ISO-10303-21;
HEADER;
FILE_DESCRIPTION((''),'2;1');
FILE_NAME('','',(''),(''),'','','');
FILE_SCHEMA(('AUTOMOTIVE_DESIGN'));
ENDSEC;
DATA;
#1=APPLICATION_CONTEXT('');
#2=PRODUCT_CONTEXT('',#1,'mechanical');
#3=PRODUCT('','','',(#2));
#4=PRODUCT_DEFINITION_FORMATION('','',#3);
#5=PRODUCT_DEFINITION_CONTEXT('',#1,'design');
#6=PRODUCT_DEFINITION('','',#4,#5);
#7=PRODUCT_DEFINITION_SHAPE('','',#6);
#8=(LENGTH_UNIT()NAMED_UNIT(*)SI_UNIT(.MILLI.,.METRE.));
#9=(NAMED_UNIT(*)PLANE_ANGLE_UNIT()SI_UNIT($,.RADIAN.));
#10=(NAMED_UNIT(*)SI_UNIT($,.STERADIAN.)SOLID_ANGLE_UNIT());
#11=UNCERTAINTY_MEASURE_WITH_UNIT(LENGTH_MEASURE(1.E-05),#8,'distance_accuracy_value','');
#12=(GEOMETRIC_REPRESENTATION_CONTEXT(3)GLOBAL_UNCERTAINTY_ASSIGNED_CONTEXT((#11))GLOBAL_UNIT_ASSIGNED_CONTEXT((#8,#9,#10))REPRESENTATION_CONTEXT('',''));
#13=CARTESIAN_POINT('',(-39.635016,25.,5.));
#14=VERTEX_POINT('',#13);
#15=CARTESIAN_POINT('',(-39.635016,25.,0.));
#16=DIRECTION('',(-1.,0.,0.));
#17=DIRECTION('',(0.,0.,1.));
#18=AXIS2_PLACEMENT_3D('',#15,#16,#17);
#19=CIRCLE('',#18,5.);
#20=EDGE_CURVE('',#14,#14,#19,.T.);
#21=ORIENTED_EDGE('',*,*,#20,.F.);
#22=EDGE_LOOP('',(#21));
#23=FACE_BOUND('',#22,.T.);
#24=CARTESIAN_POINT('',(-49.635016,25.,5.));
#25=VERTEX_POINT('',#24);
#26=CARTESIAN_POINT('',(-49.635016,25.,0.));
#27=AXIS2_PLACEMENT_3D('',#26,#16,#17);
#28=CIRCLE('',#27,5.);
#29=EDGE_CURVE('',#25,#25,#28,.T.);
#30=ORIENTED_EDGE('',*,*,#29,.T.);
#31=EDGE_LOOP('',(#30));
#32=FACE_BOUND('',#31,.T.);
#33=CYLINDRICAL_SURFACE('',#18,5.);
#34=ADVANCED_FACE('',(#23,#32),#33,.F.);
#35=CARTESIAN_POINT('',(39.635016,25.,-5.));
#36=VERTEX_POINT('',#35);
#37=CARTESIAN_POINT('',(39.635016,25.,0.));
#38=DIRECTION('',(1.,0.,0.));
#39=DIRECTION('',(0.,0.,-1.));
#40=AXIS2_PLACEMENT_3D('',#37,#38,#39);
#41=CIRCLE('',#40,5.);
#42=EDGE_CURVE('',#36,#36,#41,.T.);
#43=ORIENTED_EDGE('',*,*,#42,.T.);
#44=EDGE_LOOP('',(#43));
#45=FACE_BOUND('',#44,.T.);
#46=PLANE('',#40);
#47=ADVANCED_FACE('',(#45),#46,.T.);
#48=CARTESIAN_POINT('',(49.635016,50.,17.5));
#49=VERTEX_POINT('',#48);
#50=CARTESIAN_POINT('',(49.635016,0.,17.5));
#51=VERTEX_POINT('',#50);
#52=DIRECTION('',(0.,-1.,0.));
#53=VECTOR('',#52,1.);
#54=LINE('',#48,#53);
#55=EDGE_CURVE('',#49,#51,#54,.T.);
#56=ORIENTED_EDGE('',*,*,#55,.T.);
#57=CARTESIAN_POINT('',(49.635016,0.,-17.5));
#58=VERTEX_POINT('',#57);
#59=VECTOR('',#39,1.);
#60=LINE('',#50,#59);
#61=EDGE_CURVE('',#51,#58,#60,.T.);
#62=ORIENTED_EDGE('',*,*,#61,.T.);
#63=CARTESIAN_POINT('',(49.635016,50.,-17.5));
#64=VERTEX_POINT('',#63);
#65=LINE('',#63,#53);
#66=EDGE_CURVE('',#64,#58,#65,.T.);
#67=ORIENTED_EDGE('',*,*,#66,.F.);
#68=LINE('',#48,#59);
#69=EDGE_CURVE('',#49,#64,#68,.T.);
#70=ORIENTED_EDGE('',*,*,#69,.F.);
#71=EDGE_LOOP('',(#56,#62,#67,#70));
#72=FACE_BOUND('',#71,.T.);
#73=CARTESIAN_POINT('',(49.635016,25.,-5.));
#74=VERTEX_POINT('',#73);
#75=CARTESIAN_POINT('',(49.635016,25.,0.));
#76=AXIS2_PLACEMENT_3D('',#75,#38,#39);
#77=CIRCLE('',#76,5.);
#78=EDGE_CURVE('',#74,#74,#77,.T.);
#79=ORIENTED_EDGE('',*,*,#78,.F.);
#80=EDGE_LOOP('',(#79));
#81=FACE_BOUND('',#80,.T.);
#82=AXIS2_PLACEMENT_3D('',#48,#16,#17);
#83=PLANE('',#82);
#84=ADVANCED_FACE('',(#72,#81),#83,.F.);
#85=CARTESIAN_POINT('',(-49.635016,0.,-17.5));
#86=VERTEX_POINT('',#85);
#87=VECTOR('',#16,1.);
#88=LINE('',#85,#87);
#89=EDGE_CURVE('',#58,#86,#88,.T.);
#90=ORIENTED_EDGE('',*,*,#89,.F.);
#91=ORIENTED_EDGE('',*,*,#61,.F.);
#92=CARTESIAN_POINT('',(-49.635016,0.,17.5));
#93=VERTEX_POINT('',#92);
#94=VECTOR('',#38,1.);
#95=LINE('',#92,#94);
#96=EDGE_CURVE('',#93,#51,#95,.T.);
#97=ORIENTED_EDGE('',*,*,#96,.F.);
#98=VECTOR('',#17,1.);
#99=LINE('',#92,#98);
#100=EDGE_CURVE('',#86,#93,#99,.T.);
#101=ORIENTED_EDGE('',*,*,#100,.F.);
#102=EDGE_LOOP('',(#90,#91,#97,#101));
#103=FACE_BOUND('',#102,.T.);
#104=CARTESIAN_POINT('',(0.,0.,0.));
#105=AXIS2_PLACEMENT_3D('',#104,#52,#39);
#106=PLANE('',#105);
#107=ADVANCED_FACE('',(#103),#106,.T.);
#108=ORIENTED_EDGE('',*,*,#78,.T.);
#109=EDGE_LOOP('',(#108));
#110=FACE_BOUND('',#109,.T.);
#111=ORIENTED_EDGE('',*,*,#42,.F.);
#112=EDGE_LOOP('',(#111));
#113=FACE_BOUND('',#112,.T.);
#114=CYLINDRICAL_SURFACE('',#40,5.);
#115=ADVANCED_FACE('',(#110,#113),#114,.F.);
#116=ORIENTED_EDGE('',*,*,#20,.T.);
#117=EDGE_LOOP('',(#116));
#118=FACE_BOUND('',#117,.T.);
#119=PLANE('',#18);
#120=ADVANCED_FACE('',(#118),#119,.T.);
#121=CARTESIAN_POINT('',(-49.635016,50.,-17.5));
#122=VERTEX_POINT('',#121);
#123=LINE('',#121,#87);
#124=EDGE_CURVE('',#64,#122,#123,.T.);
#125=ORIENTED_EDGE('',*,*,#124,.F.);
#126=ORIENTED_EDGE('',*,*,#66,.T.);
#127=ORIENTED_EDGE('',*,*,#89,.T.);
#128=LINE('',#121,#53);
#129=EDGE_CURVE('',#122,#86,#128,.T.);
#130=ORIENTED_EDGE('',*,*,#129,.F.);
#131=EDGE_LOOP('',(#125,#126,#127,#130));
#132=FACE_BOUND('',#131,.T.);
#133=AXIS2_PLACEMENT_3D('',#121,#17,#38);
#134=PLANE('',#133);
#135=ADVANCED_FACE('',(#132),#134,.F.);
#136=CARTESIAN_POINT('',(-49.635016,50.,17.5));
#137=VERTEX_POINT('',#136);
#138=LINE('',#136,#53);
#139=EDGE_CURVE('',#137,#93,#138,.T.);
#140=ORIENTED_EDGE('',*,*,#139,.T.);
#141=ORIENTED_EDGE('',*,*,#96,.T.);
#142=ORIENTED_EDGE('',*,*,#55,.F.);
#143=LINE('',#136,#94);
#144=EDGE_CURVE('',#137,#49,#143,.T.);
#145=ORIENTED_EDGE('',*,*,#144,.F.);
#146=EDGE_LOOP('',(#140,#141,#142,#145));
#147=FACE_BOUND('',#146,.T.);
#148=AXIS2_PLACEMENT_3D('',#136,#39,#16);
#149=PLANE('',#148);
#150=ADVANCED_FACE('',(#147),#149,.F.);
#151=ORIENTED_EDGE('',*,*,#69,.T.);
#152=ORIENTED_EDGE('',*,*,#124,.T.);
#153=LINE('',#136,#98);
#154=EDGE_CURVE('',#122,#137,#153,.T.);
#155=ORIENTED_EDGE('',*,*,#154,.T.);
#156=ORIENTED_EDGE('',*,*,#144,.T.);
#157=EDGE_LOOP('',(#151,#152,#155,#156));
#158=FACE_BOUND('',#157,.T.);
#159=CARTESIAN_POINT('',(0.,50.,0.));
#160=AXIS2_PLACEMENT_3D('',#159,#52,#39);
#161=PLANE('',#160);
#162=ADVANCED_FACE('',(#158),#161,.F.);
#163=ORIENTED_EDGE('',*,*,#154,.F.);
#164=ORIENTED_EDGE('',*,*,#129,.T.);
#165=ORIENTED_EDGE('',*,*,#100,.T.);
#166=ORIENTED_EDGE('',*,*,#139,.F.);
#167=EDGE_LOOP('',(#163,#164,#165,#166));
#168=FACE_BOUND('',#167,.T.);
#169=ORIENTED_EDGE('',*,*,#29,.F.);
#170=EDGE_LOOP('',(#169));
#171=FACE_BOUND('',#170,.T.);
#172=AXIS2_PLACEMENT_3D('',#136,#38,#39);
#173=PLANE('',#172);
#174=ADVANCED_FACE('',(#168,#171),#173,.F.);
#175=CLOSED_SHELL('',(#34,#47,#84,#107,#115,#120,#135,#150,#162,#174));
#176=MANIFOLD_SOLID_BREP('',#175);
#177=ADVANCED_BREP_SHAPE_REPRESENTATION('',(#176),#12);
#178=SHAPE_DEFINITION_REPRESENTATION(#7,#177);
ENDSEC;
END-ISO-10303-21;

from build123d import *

# Parameters (mm, degrees)
SKETCH1_W           = 99.270032964
SKETCH1_H           = 35
BOSS_EXTRUDE1_DEPTH = 50
SKETCH2_R           = 5
CUT_EXTRUDE1_DEPTH  = 10
SKETCH3_R           = 5
CUT_EXTRUDE2_DEPTH  = 10


with BuildPart() as part:
    # Sketch1 → Boss-Extrude1 (new body)
    with BuildSketch(Plane(origin=(0, 0, 0), x_dir=(1, 0, 0), z_dir=(0, 1, 0))):
        Rectangle(SKETCH1_W, SKETCH1_H)
    extrude(amount=BOSS_EXTRUDE1_DEPTH)

    # Sketch2 → Cut-Extrude1 (cut)
    with BuildSketch(Plane.ZY.offset(49.635016482)):
        with Locations((0, 25)):
            Circle(SKETCH2_R)
    extrude(amount=-CUT_EXTRUDE1_DEPTH, mode=Mode.SUBTRACT)

    # Sketch3 → Cut-Extrude2 (cut)
    with BuildSketch(Plane(origin=(49.635016482, 0, 0), x_dir=(0, 0, -1), z_dir=(1, 0, 0))):
        with Locations((0, 25)):
            Circle(SKETCH3_R)
    extrude(amount=-CUT_EXTRUDE2_DEPTH, mode=Mode.SUBTRACT)


solid = part.part
